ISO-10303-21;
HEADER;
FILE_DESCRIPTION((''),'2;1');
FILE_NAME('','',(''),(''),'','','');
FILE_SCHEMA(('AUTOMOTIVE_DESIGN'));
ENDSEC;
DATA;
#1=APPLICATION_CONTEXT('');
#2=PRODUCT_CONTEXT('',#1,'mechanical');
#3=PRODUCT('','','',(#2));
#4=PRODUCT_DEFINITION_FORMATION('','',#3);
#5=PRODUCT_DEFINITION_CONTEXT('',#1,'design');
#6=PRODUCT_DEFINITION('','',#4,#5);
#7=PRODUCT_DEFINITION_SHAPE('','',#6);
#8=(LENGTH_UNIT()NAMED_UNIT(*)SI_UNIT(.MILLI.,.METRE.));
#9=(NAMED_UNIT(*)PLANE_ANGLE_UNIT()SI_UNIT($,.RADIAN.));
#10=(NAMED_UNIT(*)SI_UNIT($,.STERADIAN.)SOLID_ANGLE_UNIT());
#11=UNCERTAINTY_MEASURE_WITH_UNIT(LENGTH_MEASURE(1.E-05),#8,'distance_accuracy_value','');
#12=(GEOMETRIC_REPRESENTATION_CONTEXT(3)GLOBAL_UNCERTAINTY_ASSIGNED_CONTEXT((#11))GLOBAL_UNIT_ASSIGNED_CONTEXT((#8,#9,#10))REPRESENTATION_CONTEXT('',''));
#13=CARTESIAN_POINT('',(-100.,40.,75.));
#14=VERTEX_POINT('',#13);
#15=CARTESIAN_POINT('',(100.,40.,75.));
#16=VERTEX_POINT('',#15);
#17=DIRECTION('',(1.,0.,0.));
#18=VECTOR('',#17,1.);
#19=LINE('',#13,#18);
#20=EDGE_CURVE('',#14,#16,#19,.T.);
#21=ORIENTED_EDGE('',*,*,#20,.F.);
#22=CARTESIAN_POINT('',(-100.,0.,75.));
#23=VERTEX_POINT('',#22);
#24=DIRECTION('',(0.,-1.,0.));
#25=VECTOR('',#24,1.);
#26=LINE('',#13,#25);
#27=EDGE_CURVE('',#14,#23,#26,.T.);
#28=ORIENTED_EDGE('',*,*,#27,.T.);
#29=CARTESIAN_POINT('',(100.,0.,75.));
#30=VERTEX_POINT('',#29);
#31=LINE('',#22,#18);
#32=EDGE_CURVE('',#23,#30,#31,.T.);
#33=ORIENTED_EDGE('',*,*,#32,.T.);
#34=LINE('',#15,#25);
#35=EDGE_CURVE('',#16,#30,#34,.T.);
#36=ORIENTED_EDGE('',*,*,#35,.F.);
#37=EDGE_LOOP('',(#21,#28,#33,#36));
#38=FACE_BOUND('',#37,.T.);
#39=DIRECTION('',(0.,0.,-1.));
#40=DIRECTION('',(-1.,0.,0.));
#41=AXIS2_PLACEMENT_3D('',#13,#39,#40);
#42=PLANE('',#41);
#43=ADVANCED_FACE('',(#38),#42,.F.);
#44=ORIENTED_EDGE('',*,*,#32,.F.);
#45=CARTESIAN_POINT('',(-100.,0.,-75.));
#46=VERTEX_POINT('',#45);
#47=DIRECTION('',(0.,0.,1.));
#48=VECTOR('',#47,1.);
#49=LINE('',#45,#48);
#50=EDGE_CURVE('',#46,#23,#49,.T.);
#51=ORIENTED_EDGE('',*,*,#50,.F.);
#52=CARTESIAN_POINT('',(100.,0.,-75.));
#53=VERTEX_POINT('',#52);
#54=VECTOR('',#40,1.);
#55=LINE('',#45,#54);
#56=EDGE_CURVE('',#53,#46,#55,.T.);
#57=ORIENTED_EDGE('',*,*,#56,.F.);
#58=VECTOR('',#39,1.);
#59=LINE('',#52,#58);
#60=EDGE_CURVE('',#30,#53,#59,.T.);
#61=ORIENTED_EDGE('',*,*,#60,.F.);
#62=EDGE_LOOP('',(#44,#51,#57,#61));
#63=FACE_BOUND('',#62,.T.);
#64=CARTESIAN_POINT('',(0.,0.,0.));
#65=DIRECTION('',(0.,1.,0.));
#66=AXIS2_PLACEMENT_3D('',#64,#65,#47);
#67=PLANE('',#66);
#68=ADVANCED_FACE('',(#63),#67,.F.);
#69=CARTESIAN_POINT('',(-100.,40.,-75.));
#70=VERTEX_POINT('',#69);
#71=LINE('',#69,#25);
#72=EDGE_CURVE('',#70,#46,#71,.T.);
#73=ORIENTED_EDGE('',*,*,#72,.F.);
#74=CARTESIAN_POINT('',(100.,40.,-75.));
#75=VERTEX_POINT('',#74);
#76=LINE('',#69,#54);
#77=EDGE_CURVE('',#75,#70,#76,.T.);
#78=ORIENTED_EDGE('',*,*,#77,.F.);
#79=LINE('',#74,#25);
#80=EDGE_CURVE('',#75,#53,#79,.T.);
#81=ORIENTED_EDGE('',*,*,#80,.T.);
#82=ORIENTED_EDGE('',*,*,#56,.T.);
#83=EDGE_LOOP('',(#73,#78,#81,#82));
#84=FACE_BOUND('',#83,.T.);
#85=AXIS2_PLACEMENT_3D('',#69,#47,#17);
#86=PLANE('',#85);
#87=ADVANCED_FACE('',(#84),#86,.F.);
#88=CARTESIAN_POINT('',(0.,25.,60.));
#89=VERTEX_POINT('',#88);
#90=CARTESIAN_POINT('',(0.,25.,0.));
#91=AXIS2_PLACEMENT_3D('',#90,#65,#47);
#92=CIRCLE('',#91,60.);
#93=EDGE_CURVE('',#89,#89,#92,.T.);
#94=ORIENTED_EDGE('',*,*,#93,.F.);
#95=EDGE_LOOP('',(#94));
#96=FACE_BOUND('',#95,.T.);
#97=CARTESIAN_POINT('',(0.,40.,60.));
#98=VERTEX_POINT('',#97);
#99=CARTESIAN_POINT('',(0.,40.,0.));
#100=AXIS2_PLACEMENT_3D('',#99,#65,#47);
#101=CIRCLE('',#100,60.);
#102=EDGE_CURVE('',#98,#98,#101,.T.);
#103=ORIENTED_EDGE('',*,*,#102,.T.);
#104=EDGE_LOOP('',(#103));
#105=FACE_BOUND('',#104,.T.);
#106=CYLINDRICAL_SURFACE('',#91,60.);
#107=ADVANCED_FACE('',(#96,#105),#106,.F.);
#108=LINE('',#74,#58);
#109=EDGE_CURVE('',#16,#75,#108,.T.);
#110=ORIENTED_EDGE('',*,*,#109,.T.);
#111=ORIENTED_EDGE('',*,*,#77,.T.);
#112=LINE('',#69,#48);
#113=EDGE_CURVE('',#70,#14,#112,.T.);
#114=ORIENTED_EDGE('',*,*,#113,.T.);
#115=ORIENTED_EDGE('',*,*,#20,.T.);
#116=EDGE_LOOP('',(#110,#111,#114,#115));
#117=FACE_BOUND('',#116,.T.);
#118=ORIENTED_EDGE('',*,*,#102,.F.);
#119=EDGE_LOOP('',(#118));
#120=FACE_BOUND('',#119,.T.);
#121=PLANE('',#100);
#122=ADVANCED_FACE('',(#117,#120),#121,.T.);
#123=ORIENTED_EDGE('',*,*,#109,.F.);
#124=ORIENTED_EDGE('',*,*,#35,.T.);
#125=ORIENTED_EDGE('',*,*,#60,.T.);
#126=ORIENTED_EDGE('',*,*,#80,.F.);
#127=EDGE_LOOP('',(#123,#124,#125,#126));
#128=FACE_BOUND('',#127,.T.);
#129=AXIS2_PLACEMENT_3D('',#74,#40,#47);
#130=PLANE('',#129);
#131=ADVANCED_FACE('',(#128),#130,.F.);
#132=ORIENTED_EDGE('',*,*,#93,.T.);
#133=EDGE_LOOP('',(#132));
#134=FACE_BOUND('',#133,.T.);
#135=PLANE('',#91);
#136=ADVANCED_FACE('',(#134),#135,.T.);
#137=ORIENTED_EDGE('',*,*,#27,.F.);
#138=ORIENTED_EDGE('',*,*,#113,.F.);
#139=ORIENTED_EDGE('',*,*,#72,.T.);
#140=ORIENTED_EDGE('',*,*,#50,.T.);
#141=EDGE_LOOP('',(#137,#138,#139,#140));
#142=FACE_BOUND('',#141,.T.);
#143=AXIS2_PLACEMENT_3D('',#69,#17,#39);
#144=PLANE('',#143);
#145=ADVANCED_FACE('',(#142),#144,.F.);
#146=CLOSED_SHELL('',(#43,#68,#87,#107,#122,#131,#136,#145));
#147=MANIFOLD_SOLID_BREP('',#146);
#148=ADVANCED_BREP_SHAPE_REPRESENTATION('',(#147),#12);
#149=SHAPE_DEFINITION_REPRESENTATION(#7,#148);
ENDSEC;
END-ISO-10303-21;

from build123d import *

# Parameters (mm, degrees)
SKETCH1_W           = 200
SKETCH1_H           = 150
BOSS_EXTRUDE1_DEPTH = 40
SKETCH2_R           = 60
CUT_EXTRUDE1_DEPTH  = 15


with BuildPart() as part:
    # Sketch1 → Boss-Extrude1 (new body)
    with BuildSketch(Plane(origin=(0, 0, 0), x_dir=(1, 0, 0), z_dir=(0, 1, 0))):
        Rectangle(SKETCH1_W, SKETCH1_H)
    extrude(amount=BOSS_EXTRUDE1_DEPTH)

    # Sketch2 → Cut-Extrude1 (cut)
    with BuildSketch(Plane(origin=(0, 40, 0), x_dir=(1, 0, 0), z_dir=(0, 1, 0))):
        Circle(SKETCH2_R)
    extrude(amount=-CUT_EXTRUDE1_DEPTH, mode=Mode.SUBTRACT)


solid = part.part
